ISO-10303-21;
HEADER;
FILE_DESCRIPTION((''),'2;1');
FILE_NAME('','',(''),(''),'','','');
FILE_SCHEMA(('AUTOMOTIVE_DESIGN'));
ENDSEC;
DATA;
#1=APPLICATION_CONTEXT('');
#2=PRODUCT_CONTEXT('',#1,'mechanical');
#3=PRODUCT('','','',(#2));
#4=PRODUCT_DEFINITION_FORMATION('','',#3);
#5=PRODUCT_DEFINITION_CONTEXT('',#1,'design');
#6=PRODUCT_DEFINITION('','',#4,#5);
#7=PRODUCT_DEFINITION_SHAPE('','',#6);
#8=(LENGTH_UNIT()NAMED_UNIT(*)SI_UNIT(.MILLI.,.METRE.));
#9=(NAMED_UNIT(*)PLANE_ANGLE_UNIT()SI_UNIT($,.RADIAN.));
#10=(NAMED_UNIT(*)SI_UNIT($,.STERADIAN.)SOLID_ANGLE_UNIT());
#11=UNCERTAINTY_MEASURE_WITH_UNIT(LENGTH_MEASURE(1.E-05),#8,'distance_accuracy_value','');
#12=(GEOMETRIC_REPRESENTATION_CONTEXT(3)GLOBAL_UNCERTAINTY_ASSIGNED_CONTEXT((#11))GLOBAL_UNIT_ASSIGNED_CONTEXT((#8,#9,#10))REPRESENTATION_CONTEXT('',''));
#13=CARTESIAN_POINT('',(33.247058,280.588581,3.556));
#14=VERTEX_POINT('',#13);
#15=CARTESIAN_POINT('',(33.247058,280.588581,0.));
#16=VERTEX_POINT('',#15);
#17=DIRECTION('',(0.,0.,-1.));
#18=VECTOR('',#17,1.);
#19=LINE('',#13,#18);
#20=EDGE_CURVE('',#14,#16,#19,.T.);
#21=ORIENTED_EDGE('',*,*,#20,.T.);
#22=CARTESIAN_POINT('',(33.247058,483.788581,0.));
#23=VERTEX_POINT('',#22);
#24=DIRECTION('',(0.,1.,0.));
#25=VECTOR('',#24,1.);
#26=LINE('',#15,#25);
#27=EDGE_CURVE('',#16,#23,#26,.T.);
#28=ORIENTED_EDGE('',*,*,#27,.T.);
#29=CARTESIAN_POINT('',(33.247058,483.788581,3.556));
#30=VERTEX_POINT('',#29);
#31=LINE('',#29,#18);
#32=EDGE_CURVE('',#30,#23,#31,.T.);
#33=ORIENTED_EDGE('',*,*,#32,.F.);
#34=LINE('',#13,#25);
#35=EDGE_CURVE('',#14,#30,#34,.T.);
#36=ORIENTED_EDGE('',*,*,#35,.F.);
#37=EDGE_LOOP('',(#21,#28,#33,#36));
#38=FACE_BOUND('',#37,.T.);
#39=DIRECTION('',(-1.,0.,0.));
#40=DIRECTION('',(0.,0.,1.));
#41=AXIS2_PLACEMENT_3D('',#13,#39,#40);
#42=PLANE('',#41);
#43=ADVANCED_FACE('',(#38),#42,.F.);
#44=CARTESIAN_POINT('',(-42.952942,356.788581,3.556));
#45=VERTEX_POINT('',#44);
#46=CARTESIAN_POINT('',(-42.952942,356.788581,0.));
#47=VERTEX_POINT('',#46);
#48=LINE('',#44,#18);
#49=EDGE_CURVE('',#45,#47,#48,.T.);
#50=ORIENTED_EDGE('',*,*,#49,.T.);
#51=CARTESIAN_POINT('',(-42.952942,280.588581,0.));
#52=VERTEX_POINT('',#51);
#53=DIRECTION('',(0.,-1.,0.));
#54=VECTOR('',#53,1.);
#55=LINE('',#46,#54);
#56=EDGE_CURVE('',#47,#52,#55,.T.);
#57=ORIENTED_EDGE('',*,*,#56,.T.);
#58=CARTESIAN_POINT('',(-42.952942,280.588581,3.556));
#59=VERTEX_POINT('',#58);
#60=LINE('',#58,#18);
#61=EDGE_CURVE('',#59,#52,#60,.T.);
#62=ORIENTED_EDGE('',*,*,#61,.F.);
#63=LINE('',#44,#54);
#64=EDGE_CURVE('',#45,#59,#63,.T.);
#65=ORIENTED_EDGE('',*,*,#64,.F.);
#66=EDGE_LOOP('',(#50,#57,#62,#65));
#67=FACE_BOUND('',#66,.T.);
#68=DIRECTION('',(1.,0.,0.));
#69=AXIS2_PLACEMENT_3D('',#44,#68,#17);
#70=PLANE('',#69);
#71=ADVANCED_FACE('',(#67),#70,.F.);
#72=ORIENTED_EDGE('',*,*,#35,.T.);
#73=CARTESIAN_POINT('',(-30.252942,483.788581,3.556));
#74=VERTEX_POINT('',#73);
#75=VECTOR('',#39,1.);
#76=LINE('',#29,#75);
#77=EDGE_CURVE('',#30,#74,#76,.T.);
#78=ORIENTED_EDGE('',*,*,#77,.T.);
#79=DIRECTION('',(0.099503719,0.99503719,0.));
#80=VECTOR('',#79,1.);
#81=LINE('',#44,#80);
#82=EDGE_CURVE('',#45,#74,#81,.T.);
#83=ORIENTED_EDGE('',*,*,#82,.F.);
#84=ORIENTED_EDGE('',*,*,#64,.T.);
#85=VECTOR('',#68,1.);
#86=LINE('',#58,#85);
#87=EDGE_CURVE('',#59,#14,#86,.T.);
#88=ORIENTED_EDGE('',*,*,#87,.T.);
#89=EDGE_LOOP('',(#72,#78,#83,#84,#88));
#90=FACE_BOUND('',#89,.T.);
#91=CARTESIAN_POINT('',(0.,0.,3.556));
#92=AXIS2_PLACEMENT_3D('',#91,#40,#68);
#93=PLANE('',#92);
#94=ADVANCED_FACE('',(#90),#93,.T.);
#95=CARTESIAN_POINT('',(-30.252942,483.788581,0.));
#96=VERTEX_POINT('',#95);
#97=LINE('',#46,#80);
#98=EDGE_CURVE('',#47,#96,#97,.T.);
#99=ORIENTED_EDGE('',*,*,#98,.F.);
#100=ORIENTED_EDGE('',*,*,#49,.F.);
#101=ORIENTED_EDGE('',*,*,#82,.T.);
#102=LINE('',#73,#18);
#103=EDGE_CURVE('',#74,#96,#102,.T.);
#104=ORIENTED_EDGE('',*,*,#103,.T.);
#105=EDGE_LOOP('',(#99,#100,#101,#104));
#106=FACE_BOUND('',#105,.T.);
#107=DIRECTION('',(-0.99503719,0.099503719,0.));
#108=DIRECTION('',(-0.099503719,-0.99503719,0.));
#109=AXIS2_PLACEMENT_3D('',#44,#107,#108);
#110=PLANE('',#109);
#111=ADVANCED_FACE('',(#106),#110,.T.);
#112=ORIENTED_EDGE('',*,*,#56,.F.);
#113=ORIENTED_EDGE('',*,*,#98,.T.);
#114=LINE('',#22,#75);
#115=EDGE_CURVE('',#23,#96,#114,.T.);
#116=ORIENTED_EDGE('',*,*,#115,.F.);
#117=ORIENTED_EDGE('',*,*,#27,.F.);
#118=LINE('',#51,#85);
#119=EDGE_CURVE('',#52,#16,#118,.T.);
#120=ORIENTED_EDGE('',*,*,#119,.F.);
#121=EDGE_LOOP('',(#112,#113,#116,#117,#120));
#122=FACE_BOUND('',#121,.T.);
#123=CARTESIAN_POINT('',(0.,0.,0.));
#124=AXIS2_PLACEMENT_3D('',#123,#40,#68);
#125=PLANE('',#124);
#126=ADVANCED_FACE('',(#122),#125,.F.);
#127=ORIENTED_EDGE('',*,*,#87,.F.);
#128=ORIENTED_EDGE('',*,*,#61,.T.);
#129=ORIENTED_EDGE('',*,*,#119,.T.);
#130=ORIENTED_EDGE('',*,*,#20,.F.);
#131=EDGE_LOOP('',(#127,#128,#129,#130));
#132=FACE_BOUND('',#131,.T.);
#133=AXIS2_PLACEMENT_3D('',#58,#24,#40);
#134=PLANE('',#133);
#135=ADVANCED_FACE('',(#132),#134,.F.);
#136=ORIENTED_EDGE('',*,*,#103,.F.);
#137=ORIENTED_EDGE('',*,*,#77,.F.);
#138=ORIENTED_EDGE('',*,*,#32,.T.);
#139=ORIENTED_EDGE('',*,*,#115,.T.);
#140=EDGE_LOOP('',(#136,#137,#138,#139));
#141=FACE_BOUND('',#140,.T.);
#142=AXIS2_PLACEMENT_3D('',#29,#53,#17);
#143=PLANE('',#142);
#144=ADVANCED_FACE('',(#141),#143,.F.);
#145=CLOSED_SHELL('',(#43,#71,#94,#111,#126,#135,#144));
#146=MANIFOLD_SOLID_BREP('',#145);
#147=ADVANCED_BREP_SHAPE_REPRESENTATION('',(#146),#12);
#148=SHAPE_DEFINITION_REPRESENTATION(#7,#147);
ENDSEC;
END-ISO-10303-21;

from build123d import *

# Parameters (mm, degrees)
BOSS_EXTRUDE1_DEPTH = 3.556


with BuildPart() as part:
    # Sketch1 → Boss-Extrude1 (new body)
    with BuildSketch(Plane.XY):
        Polygon((-42.952942124, 356.788581407), (-42.952942124, 280.588581407), (33.247057876, 280.588581407), (33.247057876, 483.788581407), (-30.252942124, 483.788581407), align=None)
    extrude(amount=BOSS_EXTRUDE1_DEPTH)


solid = part.part
